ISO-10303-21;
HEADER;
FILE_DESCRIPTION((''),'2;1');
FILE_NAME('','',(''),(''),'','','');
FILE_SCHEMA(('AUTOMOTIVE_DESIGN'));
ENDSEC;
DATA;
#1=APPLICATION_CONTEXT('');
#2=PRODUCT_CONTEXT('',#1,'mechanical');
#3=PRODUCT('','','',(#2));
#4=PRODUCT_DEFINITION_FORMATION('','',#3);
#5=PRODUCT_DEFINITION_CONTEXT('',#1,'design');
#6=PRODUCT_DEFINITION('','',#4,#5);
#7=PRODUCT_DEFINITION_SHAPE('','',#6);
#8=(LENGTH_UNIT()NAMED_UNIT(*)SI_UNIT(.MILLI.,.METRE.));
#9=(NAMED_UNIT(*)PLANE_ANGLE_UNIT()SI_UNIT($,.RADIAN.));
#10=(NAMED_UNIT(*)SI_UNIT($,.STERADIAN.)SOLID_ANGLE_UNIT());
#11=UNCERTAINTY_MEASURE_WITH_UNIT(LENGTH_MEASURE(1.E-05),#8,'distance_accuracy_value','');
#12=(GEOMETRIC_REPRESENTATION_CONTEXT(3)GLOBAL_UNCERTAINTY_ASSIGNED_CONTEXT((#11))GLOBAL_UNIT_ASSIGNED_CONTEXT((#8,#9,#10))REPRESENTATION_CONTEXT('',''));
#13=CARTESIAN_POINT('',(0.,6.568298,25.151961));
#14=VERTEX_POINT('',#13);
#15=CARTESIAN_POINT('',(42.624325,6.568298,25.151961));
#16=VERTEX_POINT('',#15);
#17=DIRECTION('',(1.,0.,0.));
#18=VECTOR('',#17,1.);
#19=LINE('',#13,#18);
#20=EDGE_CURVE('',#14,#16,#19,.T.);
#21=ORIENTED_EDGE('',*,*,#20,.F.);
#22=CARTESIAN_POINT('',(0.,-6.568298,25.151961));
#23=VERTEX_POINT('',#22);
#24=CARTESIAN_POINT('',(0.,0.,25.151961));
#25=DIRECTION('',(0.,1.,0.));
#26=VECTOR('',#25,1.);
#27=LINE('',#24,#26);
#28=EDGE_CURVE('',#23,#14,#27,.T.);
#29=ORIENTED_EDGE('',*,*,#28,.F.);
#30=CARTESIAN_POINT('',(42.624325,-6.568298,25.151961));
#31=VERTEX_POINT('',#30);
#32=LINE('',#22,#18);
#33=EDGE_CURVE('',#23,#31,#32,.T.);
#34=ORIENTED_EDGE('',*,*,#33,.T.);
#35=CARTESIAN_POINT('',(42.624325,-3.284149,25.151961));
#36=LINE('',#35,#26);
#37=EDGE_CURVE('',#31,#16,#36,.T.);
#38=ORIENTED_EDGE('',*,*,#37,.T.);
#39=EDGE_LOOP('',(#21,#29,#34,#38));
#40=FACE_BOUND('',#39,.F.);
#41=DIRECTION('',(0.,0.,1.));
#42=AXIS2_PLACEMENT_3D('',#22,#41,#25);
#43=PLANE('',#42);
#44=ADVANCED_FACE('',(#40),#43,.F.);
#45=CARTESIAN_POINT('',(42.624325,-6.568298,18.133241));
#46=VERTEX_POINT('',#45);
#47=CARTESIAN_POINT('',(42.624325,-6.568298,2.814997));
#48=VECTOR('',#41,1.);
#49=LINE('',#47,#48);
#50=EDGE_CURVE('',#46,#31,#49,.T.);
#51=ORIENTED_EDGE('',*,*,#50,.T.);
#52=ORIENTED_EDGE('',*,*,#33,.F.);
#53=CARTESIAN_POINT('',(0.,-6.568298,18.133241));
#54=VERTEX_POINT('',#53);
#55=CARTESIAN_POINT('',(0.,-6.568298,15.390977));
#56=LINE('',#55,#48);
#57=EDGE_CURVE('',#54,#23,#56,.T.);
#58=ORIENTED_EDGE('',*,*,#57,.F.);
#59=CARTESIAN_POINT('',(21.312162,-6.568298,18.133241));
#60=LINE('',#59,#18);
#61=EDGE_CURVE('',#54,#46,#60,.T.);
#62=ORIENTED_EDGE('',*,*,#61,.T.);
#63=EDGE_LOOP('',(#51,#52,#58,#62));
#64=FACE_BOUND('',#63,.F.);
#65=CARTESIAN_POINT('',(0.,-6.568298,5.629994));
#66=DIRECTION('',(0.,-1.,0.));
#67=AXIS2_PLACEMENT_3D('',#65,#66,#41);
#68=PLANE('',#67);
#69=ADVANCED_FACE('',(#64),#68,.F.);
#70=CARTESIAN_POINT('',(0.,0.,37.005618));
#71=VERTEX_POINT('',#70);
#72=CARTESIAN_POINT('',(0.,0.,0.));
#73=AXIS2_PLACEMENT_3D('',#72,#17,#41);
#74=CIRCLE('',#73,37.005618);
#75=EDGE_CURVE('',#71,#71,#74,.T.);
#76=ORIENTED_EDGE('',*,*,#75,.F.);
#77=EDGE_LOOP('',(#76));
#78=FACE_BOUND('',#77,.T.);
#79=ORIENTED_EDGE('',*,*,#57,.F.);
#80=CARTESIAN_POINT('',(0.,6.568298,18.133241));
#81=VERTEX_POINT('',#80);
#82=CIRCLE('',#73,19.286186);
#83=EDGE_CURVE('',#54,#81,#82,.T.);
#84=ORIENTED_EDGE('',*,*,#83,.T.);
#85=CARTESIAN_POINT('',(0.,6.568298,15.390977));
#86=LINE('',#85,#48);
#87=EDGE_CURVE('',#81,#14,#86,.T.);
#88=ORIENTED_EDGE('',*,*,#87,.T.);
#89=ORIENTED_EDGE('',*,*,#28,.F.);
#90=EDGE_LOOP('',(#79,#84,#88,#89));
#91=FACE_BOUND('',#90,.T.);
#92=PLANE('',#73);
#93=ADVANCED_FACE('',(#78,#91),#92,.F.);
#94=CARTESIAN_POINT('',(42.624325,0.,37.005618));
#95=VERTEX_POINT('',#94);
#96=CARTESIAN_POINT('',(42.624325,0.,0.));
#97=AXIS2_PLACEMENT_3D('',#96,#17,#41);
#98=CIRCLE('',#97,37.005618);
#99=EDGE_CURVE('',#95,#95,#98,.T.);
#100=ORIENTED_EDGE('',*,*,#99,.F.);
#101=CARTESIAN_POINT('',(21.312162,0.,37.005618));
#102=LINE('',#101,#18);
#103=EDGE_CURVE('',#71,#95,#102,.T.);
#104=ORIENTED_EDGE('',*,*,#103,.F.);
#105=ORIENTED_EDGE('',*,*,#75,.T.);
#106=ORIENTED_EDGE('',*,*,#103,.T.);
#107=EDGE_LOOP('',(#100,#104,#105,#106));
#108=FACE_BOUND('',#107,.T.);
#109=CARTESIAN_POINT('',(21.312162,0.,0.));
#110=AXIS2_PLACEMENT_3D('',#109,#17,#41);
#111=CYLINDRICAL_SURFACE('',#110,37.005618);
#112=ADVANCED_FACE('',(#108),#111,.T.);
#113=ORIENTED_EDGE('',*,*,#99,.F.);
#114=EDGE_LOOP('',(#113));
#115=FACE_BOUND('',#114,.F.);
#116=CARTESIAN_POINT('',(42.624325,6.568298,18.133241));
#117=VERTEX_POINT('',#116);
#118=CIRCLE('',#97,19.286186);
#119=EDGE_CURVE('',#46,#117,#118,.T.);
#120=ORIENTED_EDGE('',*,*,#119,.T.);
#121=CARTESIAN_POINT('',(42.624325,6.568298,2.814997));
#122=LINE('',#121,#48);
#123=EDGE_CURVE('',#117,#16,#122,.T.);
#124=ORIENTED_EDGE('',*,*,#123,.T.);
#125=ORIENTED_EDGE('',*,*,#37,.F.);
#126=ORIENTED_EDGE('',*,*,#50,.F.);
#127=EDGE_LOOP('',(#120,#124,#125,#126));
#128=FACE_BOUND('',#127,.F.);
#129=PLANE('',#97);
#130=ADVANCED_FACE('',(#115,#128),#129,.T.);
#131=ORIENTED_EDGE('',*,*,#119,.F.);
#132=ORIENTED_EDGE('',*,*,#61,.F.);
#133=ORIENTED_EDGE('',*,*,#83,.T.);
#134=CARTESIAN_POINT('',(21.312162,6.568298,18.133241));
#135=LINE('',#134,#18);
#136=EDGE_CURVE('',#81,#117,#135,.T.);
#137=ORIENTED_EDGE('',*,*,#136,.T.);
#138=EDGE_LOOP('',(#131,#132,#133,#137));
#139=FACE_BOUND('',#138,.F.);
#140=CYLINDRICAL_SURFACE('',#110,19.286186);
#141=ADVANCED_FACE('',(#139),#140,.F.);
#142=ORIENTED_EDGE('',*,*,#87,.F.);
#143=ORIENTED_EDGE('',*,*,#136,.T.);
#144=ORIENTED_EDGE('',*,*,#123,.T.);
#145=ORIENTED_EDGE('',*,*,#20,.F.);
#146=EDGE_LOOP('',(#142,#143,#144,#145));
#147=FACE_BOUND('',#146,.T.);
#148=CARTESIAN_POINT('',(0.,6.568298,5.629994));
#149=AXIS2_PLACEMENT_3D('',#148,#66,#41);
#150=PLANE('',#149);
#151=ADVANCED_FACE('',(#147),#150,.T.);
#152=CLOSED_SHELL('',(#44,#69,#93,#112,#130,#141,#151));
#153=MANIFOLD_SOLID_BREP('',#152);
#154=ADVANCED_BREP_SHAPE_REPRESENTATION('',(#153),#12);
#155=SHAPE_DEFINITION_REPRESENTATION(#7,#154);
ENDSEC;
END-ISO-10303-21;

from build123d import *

# Parameters (mm, degrees)
F0_W     = 42.6243245602
F0_H     = 17.7194328527
F2_W     = 13.1365954876
F2_H     = 19.5219665766
F3_DEPTH = 78.1549476087


with BuildPart() as f1:
    # F0 (on Front) → F1 (revolve)
    with BuildSketch(Plane.XZ):
        with Locations((21.3121622801, 28.1459019294)):
            Rectangle(F0_W, F0_H)
    revolve(axis=Axis((9.0612024069, 0, 0), (1, 0, 0)))

    # F2 (on Right) → F3 (cut)
    with BuildSketch(Plane.YZ):
        with Locations((0, 15.3909772635)):
            Rectangle(F2_W, F2_H)
    extrude(amount=F3_DEPTH, mode=Mode.SUBTRACT)


solid = f1.part
